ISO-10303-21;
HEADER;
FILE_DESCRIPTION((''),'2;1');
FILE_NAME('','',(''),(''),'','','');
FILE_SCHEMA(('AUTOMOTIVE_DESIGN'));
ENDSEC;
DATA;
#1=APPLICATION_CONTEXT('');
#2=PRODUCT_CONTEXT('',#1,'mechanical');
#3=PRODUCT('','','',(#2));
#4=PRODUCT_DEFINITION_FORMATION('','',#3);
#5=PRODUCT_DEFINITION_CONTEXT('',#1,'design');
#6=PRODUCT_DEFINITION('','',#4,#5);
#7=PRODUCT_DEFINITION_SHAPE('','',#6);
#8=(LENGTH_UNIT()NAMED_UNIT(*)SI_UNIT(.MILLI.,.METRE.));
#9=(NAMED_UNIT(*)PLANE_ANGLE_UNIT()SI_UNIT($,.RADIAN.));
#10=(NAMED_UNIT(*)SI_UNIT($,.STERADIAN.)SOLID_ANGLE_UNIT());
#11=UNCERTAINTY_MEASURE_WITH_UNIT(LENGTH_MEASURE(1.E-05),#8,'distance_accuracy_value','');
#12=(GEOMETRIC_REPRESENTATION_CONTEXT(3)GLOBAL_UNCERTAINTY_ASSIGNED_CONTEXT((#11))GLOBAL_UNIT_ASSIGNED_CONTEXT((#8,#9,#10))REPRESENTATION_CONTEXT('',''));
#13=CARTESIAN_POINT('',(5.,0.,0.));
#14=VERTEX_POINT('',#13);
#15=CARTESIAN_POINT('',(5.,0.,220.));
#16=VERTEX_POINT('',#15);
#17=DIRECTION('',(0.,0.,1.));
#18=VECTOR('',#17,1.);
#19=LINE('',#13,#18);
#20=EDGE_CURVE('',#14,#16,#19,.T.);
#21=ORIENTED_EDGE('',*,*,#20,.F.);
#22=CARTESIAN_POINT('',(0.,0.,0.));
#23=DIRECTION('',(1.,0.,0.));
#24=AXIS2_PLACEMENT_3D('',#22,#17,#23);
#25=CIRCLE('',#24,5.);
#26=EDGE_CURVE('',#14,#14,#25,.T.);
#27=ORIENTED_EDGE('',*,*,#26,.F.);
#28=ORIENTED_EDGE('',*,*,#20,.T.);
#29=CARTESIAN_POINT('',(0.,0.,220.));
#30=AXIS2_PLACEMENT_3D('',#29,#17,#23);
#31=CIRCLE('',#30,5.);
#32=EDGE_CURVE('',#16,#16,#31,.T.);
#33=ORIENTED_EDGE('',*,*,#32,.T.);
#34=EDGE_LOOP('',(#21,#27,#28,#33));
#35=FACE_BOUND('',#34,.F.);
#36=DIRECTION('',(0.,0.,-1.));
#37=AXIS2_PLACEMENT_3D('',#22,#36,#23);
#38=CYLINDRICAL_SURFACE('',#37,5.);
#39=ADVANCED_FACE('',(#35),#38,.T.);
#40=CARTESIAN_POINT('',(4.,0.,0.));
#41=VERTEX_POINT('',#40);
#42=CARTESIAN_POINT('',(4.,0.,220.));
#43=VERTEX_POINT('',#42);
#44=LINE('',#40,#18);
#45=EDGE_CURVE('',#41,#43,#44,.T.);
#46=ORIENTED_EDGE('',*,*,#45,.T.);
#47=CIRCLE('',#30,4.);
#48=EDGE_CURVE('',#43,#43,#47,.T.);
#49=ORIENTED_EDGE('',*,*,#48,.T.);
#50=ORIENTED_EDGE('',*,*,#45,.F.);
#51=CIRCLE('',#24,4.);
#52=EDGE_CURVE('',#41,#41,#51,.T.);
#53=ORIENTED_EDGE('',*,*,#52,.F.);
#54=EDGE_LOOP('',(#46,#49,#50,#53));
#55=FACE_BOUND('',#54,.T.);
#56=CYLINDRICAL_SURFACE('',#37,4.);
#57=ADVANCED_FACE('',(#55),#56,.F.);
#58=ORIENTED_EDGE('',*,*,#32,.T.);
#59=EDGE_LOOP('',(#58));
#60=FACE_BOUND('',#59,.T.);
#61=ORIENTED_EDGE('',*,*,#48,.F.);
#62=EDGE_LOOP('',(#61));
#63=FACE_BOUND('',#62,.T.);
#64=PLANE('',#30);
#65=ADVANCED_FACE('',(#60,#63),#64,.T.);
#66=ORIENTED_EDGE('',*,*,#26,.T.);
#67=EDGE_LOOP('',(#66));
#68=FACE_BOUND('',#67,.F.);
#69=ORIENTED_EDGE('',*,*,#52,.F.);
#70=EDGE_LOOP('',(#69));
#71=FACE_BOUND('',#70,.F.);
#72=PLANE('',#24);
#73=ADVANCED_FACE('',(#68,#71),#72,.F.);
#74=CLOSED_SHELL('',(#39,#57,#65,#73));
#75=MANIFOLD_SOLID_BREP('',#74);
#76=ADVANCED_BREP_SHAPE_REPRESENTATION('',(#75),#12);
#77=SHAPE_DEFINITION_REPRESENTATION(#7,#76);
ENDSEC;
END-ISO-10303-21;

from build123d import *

# Parameters (mm, degrees)
SKETCH_R   = 5
SKETCH_R_2 = 4
PAD_DEPTH  = 220


with BuildPart() as part:
    # Sketch → Pad (new body)
    with BuildSketch(Plane.XY):
        Circle(SKETCH_R)
        Circle(SKETCH_R_2, mode=Mode.SUBTRACT)
    extrude(amount=PAD_DEPTH)


solid = part.part
